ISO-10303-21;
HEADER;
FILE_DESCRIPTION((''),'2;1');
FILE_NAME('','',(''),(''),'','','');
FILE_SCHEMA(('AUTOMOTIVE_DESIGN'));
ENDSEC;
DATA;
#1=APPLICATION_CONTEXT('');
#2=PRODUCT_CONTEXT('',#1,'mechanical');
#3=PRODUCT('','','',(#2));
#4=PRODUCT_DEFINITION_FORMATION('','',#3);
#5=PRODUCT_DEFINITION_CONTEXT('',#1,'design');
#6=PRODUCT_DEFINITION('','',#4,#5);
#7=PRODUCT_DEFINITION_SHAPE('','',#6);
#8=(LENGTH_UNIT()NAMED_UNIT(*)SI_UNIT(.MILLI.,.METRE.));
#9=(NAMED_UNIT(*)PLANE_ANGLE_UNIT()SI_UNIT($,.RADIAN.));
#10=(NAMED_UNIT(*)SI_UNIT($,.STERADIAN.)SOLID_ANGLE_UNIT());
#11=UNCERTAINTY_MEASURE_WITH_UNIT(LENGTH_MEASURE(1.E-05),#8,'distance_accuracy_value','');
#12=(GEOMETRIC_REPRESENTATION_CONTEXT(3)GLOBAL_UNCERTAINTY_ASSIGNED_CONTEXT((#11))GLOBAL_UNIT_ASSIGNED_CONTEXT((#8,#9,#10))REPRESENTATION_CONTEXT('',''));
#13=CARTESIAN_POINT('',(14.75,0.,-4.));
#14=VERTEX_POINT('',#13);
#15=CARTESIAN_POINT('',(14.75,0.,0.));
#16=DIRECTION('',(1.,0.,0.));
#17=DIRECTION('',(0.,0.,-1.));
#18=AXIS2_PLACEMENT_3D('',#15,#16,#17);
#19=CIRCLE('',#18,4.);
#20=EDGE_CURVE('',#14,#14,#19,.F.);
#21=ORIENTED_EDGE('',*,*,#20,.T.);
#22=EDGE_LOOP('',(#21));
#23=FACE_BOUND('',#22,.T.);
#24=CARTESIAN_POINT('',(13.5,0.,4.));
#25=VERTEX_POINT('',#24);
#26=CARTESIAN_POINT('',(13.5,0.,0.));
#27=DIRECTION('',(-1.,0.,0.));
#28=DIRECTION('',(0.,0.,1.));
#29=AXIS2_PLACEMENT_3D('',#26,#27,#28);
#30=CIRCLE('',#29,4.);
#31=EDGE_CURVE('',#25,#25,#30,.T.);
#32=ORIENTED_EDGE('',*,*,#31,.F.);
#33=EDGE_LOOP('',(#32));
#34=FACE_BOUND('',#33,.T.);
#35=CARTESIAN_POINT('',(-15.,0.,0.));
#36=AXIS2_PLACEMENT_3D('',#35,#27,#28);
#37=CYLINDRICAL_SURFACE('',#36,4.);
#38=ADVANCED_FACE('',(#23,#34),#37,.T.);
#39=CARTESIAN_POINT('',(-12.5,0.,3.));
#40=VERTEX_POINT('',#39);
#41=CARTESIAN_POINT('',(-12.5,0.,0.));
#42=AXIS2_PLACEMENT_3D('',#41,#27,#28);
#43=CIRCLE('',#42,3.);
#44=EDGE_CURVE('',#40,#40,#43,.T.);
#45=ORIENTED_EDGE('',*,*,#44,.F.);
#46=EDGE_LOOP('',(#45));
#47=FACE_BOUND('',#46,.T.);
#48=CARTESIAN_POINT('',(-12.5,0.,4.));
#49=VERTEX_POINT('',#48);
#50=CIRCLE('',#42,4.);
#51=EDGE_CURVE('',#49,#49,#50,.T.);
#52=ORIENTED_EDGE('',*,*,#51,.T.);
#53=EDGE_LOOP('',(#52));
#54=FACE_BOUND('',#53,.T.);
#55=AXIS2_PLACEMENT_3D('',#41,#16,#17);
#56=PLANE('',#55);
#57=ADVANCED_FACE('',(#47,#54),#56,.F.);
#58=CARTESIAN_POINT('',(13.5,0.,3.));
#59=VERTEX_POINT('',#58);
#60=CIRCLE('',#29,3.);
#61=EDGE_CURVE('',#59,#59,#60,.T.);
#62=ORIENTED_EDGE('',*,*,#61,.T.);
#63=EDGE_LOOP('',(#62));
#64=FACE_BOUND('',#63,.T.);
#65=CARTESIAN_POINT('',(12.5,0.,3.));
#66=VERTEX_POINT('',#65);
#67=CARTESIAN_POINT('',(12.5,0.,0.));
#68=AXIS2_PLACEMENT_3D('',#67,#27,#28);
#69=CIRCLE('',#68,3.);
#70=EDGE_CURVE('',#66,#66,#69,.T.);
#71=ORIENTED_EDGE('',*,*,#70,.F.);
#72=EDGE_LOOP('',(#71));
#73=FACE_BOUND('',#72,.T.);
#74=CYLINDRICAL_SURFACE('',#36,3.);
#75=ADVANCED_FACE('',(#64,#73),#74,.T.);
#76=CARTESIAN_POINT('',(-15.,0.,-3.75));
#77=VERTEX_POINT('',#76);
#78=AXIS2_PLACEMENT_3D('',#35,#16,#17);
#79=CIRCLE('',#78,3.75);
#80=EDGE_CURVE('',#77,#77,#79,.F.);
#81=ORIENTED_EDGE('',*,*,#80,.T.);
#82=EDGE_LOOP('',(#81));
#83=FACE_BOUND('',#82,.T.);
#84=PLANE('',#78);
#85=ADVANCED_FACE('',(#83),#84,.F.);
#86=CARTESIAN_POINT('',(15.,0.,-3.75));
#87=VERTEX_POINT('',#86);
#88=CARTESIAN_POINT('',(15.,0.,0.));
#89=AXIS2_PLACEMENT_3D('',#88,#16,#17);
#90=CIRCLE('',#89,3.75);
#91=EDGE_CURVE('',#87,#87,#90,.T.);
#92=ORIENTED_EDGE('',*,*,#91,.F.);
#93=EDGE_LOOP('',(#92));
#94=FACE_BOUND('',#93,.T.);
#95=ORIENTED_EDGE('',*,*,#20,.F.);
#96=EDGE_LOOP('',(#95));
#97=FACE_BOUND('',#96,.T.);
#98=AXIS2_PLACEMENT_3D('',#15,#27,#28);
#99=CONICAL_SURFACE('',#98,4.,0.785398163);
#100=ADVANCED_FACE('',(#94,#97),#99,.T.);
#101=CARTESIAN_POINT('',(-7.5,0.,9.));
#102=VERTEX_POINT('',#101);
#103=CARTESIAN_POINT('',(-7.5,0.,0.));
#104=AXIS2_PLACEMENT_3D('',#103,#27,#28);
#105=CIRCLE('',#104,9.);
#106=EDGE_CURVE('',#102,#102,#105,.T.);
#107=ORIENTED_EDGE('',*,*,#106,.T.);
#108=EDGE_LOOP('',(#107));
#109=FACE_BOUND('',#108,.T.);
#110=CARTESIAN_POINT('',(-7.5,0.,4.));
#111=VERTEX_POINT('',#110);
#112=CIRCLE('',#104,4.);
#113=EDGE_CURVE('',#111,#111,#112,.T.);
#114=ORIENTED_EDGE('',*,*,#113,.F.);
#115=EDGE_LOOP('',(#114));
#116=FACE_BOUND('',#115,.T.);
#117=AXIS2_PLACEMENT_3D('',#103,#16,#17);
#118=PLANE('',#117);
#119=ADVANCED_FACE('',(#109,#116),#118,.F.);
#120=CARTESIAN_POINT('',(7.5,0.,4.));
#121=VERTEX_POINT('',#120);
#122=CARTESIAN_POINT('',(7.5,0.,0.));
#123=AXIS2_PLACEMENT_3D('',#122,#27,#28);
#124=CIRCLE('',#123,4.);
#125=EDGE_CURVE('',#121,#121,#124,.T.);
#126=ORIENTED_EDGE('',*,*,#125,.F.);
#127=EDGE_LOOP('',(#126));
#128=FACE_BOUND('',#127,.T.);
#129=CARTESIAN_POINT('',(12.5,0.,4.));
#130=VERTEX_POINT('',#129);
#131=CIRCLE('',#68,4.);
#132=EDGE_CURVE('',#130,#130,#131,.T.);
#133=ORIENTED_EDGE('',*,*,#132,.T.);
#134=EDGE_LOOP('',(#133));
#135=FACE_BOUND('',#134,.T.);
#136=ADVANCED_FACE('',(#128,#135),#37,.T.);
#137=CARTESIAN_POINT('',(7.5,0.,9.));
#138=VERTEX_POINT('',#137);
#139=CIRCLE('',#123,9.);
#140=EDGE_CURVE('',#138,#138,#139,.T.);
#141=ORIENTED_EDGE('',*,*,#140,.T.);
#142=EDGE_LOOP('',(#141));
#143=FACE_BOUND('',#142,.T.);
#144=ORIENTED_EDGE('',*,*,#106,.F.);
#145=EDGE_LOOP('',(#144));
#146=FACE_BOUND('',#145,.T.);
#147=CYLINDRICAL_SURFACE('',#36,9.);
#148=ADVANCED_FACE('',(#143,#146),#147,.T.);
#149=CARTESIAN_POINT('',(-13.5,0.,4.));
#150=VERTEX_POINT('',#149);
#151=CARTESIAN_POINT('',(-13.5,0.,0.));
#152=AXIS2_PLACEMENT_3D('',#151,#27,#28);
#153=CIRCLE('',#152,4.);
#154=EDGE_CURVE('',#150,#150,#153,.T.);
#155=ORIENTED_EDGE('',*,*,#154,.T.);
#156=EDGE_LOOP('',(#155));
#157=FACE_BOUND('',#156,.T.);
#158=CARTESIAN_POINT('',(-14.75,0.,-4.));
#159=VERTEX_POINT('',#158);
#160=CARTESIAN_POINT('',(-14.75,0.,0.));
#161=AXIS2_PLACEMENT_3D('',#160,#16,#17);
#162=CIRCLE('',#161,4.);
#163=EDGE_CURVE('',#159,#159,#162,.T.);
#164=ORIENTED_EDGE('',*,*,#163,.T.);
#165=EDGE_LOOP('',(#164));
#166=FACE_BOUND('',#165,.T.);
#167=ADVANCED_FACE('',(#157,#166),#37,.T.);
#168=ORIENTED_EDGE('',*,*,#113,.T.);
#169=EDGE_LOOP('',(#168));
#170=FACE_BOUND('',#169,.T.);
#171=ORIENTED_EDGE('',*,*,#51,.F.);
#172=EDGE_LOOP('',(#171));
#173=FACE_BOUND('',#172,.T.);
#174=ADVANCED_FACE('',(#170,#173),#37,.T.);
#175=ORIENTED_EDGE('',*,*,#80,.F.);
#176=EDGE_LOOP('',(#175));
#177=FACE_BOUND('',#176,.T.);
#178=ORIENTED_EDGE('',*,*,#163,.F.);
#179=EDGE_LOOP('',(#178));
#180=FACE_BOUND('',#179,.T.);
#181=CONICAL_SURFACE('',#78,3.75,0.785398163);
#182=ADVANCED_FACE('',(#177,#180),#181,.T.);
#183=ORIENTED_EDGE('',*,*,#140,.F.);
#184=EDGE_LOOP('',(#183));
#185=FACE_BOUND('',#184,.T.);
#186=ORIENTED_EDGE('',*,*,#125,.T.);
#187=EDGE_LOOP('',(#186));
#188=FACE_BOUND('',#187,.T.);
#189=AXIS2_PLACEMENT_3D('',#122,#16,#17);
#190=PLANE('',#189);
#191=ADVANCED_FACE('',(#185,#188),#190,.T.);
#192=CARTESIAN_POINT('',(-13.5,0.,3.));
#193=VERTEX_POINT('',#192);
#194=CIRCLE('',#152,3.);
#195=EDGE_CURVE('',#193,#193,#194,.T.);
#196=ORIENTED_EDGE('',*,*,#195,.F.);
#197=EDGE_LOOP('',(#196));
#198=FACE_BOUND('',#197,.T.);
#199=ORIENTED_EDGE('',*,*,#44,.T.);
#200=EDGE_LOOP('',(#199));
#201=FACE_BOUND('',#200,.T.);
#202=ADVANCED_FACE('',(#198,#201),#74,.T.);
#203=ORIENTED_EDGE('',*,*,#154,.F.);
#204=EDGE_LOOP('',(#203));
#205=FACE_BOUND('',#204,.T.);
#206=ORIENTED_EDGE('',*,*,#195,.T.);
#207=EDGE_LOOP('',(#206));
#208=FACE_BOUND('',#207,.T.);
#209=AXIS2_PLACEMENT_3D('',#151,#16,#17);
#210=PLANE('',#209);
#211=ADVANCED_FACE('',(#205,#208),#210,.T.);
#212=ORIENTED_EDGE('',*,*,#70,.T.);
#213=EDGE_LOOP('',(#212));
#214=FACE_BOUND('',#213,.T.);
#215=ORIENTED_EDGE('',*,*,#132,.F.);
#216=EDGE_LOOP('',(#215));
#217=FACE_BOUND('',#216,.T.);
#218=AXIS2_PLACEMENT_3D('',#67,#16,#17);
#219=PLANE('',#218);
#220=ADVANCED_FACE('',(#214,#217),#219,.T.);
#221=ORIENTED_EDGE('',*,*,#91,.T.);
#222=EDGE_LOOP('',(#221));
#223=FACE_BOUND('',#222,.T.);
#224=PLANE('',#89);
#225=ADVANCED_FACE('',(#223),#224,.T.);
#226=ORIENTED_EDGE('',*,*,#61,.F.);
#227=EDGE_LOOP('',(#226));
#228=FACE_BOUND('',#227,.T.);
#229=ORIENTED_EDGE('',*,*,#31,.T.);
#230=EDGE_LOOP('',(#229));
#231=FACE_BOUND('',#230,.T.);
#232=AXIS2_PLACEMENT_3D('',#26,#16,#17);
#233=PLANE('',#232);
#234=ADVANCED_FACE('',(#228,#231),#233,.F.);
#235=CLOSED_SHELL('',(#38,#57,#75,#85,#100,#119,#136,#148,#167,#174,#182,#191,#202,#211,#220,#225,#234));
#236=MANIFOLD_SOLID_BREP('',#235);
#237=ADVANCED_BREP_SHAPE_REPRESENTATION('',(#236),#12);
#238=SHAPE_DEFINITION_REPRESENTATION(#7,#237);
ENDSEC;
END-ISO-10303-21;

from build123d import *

# Parameters (mm, degrees)
CHAMFER1_SIZE = 0.25


with BuildPart() as part:
    # Sketch1 → Revolve4 (revolve)
    with BuildSketch(Plane.XY, mode=Mode.PRIVATE) as revolve4_sk:
        Polygon((15, 4), (15, 0), (-15, 0), (-15, 4), (-13.5, 4), (-13.5, 3), (-12.5, 3), (-12.5, 4), (-7.5, 4), (-7.5, 9), (7.5, 9), (7.5, 4), (12.5, 4), (12.5, 3), (13.5, 3), (13.5, 4), align=None)
    revolve(revolve4_sk.sketch.rotate(Axis((-15, 0, 0), (1, 0, 0)), 90), axis=Axis((-15, 0, 0), (1, 0, 0)))

    # Chamfer1
    chamfer1_edges = [part.edges().sort_by_distance(p)[0] for p in [
        (-15, 0, -4),
        (15, 0, -4),
    ]]
    chamfer(chamfer1_edges, length=CHAMFER1_SIZE)


solid = part.part
